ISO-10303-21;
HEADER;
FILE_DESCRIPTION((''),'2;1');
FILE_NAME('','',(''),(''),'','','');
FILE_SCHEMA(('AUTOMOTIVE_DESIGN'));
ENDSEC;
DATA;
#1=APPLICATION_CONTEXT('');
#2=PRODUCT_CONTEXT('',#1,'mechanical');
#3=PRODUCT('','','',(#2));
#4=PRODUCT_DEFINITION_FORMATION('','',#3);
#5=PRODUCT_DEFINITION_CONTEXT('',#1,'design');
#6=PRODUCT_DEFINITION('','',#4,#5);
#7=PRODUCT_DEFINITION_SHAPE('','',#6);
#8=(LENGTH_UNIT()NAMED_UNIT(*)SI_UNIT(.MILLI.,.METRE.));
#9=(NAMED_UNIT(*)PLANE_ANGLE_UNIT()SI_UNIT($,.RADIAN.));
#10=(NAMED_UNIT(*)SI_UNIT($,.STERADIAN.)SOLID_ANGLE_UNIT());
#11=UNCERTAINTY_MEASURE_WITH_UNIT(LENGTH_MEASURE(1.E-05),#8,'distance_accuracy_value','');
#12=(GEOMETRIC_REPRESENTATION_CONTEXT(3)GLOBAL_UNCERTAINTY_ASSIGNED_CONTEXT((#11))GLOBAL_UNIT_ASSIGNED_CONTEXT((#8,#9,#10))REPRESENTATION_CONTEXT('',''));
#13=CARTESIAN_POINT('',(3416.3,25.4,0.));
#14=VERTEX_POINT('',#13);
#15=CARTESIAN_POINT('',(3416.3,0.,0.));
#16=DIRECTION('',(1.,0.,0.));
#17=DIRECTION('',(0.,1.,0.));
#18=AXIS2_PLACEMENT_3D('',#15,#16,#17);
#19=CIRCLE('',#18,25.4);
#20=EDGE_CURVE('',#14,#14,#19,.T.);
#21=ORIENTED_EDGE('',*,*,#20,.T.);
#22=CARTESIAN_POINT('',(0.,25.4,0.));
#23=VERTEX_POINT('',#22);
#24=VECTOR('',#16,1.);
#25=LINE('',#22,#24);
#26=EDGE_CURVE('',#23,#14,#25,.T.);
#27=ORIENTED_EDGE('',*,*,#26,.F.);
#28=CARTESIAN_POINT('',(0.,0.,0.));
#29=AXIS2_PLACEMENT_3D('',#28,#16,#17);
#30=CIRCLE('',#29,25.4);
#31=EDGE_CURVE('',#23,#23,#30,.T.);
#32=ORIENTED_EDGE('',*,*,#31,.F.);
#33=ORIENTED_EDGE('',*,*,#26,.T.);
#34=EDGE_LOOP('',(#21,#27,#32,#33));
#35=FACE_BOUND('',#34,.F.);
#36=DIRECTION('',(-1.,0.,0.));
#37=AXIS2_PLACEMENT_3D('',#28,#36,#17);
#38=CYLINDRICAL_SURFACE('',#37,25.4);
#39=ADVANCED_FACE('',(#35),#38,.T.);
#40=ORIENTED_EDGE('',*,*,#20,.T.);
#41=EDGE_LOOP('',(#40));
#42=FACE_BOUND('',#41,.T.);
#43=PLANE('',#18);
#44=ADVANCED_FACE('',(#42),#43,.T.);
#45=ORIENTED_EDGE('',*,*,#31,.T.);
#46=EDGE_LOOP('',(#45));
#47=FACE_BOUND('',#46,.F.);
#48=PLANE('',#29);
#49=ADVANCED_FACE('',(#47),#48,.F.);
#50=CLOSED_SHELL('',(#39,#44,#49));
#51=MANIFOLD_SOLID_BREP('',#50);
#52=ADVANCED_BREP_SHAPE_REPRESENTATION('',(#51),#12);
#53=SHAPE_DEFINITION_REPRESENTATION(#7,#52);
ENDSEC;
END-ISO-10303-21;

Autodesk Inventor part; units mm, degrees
ref_plane "YZ Plane" through (0, 0, 0) normal (1, 0, 0) x (0, 1, 0)
ref_plane "XZ Plane" through (0, 0, 0) normal (0, 1, 0) x (-1, 0, 0)
ref_plane "XY Plane" through (0, 0, 0) normal (0, 0, 1) x (1, 0, 0)
sketch3d "3D Sketch2"
sketch "Sketch1" plane through (0, 0, 0) normal (1, 0, 0) x (0, 1, 0)
  circle A0 centre (0, 0) radius 25.4
  dimension "d0" = 50.8
extrude "Extrusion1" add sketch "Sketch1" along normal blind 3416.3
properties part number "another tube"
